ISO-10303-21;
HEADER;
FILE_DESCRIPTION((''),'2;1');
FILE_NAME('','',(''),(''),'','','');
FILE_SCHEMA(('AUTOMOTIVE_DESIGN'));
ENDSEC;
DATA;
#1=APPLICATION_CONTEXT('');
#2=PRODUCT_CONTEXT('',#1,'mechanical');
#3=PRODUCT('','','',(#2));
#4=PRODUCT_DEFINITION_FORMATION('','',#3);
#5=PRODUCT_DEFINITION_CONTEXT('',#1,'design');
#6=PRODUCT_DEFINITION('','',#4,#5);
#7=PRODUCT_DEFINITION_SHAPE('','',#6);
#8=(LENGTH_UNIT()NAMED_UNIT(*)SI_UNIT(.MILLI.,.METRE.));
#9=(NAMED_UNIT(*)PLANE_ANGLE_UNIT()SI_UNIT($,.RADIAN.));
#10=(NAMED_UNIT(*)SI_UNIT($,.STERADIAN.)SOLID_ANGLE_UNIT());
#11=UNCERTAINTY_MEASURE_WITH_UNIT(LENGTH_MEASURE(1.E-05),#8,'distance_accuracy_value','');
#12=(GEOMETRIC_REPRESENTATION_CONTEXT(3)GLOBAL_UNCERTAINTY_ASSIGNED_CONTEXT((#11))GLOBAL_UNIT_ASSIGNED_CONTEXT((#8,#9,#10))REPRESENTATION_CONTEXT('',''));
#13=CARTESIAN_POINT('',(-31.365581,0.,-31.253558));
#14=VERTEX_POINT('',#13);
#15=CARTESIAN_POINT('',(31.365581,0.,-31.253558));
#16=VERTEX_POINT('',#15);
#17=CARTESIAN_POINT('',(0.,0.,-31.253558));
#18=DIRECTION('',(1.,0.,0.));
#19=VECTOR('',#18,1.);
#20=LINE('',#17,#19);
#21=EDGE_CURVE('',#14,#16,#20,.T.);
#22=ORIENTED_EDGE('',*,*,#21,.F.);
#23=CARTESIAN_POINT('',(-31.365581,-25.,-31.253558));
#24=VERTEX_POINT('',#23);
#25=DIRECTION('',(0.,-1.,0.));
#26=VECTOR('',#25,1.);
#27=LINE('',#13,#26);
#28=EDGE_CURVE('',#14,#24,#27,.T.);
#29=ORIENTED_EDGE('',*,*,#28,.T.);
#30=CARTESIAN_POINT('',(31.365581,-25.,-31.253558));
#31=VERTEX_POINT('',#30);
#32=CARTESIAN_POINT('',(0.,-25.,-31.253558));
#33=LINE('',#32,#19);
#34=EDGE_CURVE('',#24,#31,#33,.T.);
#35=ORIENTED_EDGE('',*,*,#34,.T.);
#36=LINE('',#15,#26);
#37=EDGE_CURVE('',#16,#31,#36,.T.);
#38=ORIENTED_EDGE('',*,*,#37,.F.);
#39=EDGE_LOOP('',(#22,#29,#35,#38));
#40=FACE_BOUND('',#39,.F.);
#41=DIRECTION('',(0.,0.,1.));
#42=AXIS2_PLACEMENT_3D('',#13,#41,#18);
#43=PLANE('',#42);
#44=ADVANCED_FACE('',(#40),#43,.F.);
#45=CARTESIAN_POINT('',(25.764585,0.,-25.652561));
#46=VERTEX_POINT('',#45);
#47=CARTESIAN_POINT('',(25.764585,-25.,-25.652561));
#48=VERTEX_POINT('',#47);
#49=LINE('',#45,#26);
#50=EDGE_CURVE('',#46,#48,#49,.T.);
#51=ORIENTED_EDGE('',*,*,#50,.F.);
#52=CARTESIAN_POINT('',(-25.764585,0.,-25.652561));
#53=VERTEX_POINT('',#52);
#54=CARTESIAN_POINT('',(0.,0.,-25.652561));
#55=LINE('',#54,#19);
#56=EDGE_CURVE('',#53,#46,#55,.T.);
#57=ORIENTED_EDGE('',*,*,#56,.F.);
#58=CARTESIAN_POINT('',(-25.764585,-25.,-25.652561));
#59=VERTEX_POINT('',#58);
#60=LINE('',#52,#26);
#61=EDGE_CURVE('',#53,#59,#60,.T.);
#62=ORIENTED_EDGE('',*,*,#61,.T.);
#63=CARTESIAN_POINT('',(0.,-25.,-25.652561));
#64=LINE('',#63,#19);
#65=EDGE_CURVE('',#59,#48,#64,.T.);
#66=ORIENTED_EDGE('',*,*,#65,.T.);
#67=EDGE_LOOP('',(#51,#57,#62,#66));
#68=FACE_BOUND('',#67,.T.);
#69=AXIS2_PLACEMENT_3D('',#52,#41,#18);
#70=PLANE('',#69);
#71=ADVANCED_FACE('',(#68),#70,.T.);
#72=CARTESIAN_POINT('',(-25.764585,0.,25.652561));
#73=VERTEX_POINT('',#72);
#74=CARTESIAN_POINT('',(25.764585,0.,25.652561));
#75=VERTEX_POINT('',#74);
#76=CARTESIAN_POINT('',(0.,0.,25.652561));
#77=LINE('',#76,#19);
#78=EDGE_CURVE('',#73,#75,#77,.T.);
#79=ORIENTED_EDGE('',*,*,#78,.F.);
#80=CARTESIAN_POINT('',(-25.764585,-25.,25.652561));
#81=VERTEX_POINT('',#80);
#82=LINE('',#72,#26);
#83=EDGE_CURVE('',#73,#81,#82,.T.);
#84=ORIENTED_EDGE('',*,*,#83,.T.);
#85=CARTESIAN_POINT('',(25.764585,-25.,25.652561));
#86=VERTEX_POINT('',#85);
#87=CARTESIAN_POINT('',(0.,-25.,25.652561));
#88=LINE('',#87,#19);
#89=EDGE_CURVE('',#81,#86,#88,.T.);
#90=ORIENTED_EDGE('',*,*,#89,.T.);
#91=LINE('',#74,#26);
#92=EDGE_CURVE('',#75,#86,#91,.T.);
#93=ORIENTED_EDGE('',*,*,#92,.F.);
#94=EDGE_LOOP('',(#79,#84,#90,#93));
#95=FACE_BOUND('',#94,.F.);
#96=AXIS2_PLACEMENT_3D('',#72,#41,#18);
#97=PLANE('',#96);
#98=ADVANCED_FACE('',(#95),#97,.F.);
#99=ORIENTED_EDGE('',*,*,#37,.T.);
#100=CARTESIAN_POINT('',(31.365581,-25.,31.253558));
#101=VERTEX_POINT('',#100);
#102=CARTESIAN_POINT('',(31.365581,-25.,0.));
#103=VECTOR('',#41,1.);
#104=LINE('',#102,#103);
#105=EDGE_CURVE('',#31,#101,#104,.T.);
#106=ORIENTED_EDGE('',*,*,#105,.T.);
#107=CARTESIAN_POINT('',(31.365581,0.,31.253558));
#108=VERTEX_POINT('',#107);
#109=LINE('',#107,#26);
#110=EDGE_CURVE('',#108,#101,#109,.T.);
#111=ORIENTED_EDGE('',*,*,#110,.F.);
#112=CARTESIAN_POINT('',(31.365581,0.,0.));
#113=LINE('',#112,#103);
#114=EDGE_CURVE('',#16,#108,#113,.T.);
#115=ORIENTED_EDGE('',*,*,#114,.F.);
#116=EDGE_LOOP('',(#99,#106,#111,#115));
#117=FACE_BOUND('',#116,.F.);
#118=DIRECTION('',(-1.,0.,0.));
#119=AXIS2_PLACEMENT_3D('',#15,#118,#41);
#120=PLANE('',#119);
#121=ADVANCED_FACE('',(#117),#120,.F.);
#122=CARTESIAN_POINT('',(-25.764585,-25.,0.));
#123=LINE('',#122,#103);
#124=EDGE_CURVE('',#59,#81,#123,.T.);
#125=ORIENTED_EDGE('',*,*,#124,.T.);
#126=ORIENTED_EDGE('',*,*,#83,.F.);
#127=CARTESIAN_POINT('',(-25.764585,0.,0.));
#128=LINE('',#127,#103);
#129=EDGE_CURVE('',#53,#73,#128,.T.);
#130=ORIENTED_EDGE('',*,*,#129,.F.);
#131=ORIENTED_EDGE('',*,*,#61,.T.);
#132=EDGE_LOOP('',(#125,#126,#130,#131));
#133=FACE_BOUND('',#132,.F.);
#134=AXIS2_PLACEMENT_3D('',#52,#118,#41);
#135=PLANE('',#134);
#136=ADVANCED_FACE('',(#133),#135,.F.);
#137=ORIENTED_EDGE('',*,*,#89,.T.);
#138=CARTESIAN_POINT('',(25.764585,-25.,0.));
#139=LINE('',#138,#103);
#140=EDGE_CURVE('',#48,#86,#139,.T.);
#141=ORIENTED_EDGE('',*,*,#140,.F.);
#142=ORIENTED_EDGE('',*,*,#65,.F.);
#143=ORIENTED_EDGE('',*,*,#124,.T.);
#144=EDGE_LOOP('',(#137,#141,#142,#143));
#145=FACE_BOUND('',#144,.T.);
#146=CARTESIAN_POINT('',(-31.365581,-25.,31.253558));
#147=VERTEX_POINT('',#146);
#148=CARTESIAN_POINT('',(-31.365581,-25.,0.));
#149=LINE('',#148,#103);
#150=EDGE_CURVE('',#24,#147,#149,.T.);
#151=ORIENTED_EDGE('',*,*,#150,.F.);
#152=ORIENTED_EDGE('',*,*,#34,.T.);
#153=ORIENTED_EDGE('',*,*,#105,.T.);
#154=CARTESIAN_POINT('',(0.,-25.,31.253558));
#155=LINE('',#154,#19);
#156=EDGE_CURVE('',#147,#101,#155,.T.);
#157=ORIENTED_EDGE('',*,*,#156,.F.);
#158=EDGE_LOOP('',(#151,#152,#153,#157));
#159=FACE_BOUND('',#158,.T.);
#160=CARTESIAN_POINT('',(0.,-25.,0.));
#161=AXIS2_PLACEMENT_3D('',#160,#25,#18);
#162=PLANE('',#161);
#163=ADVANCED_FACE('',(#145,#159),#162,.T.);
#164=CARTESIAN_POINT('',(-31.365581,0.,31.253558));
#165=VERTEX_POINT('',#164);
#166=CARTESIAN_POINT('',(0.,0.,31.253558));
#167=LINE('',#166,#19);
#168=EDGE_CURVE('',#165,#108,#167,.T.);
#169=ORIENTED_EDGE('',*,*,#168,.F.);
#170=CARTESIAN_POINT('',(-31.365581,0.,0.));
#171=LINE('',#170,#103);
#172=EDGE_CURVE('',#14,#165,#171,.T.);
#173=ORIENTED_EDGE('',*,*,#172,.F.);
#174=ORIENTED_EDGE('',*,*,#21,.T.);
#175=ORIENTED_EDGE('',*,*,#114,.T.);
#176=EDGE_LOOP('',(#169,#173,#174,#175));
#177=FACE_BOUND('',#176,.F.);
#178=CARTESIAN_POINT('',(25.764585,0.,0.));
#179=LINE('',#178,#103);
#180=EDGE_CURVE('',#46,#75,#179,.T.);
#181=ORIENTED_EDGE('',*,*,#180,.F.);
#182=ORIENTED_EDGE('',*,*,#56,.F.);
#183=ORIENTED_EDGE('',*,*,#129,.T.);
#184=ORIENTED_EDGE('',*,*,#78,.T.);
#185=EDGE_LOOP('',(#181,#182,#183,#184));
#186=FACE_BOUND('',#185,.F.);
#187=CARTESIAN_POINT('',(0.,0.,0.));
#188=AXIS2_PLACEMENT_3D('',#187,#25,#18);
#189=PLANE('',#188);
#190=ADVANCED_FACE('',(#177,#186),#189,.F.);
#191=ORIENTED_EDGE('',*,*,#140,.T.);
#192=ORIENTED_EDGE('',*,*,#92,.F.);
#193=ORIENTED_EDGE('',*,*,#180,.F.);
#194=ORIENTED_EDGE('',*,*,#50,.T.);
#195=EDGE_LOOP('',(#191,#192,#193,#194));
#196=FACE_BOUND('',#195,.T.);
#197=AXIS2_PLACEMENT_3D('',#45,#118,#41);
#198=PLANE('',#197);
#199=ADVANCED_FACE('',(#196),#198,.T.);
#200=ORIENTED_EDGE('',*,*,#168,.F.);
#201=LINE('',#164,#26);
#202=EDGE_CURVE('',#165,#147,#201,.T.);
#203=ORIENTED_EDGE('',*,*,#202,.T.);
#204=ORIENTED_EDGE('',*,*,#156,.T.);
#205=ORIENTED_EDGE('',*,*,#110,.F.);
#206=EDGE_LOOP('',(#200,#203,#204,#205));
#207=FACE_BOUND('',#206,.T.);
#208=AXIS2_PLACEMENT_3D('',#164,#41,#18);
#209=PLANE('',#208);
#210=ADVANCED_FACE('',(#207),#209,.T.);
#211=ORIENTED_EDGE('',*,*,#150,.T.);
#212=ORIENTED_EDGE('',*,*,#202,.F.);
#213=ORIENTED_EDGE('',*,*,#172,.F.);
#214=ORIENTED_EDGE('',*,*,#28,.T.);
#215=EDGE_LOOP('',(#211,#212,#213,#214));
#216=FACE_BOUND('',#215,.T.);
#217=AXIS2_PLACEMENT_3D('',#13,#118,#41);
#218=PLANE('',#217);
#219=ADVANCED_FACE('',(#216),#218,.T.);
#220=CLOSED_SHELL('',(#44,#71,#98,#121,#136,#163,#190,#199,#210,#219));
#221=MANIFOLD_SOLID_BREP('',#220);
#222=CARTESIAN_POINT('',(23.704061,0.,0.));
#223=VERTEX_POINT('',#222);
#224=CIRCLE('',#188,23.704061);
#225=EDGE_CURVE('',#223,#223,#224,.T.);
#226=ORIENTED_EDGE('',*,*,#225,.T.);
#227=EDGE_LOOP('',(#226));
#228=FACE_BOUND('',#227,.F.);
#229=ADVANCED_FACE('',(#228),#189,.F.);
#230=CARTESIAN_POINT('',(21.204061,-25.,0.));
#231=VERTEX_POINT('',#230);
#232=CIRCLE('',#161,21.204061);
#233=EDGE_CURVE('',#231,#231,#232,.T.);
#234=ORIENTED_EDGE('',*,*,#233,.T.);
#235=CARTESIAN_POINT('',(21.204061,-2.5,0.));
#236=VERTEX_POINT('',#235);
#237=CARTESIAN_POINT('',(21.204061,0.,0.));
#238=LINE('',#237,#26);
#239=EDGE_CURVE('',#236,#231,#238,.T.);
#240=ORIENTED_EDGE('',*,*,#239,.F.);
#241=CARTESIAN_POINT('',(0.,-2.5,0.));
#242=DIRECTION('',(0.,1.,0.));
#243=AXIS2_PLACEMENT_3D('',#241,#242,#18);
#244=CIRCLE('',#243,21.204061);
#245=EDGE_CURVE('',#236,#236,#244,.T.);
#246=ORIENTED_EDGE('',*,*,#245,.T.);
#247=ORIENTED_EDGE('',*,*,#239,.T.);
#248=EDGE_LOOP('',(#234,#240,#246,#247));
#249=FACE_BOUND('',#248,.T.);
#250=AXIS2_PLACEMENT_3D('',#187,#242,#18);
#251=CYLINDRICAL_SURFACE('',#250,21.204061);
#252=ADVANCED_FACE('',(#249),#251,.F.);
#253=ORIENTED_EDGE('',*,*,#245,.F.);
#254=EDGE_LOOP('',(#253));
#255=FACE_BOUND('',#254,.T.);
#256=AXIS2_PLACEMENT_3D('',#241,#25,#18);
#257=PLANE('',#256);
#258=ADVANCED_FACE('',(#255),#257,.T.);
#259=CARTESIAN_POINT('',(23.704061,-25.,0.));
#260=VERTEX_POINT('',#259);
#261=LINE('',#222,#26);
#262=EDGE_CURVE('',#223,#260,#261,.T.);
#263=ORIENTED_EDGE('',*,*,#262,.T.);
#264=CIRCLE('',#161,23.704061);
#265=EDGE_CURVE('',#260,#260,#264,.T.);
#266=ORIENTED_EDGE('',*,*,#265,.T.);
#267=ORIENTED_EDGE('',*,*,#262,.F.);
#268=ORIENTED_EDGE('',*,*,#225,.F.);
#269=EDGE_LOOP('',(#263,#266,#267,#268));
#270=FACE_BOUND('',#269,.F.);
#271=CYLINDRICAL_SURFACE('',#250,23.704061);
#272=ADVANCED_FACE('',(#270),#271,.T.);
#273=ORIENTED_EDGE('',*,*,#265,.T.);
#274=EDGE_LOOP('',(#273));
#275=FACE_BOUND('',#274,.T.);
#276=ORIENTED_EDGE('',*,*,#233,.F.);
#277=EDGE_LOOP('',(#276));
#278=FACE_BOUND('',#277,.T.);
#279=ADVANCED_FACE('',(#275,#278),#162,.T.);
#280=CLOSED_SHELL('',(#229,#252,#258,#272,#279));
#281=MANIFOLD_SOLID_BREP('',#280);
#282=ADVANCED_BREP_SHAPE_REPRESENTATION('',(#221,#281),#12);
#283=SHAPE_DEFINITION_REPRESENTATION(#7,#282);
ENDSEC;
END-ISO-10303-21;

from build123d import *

# Parameters (mm, degrees)
F0_W     = 62.7311617136
F0_H     = 62.5071153045
F0_W_2   = 51.5291690826
F0_H_2   = 51.3051226735
F1_DEPTH = 25
F0_R     = 23.7040610585
F2_T     = -2.5


with BuildPart() as f1:
    # F0 (on Front) → F1 (new body)
    with BuildSketch(Plane.XZ):
        Rectangle(F0_W, F0_H)
        Rectangle(F0_W_2, F0_H_2, mode=Mode.SUBTRACT)
    extrude(amount=F1_DEPTH)


with BuildPart() as f1b:
    # F0 (on Front) → F1, piece 2 (new body)
    with BuildSketch(Plane.XZ):
        Circle(F0_R)
    extrude(amount=F1_DEPTH)

    # F2
    f2_openings = [f1b.faces().sort_by_distance(p)[0] for p in [
        (0, -25, 0),
    ]]
    offset(amount=F2_T, openings=f2_openings)


solid = Compound([f1.part, f1b.part])
